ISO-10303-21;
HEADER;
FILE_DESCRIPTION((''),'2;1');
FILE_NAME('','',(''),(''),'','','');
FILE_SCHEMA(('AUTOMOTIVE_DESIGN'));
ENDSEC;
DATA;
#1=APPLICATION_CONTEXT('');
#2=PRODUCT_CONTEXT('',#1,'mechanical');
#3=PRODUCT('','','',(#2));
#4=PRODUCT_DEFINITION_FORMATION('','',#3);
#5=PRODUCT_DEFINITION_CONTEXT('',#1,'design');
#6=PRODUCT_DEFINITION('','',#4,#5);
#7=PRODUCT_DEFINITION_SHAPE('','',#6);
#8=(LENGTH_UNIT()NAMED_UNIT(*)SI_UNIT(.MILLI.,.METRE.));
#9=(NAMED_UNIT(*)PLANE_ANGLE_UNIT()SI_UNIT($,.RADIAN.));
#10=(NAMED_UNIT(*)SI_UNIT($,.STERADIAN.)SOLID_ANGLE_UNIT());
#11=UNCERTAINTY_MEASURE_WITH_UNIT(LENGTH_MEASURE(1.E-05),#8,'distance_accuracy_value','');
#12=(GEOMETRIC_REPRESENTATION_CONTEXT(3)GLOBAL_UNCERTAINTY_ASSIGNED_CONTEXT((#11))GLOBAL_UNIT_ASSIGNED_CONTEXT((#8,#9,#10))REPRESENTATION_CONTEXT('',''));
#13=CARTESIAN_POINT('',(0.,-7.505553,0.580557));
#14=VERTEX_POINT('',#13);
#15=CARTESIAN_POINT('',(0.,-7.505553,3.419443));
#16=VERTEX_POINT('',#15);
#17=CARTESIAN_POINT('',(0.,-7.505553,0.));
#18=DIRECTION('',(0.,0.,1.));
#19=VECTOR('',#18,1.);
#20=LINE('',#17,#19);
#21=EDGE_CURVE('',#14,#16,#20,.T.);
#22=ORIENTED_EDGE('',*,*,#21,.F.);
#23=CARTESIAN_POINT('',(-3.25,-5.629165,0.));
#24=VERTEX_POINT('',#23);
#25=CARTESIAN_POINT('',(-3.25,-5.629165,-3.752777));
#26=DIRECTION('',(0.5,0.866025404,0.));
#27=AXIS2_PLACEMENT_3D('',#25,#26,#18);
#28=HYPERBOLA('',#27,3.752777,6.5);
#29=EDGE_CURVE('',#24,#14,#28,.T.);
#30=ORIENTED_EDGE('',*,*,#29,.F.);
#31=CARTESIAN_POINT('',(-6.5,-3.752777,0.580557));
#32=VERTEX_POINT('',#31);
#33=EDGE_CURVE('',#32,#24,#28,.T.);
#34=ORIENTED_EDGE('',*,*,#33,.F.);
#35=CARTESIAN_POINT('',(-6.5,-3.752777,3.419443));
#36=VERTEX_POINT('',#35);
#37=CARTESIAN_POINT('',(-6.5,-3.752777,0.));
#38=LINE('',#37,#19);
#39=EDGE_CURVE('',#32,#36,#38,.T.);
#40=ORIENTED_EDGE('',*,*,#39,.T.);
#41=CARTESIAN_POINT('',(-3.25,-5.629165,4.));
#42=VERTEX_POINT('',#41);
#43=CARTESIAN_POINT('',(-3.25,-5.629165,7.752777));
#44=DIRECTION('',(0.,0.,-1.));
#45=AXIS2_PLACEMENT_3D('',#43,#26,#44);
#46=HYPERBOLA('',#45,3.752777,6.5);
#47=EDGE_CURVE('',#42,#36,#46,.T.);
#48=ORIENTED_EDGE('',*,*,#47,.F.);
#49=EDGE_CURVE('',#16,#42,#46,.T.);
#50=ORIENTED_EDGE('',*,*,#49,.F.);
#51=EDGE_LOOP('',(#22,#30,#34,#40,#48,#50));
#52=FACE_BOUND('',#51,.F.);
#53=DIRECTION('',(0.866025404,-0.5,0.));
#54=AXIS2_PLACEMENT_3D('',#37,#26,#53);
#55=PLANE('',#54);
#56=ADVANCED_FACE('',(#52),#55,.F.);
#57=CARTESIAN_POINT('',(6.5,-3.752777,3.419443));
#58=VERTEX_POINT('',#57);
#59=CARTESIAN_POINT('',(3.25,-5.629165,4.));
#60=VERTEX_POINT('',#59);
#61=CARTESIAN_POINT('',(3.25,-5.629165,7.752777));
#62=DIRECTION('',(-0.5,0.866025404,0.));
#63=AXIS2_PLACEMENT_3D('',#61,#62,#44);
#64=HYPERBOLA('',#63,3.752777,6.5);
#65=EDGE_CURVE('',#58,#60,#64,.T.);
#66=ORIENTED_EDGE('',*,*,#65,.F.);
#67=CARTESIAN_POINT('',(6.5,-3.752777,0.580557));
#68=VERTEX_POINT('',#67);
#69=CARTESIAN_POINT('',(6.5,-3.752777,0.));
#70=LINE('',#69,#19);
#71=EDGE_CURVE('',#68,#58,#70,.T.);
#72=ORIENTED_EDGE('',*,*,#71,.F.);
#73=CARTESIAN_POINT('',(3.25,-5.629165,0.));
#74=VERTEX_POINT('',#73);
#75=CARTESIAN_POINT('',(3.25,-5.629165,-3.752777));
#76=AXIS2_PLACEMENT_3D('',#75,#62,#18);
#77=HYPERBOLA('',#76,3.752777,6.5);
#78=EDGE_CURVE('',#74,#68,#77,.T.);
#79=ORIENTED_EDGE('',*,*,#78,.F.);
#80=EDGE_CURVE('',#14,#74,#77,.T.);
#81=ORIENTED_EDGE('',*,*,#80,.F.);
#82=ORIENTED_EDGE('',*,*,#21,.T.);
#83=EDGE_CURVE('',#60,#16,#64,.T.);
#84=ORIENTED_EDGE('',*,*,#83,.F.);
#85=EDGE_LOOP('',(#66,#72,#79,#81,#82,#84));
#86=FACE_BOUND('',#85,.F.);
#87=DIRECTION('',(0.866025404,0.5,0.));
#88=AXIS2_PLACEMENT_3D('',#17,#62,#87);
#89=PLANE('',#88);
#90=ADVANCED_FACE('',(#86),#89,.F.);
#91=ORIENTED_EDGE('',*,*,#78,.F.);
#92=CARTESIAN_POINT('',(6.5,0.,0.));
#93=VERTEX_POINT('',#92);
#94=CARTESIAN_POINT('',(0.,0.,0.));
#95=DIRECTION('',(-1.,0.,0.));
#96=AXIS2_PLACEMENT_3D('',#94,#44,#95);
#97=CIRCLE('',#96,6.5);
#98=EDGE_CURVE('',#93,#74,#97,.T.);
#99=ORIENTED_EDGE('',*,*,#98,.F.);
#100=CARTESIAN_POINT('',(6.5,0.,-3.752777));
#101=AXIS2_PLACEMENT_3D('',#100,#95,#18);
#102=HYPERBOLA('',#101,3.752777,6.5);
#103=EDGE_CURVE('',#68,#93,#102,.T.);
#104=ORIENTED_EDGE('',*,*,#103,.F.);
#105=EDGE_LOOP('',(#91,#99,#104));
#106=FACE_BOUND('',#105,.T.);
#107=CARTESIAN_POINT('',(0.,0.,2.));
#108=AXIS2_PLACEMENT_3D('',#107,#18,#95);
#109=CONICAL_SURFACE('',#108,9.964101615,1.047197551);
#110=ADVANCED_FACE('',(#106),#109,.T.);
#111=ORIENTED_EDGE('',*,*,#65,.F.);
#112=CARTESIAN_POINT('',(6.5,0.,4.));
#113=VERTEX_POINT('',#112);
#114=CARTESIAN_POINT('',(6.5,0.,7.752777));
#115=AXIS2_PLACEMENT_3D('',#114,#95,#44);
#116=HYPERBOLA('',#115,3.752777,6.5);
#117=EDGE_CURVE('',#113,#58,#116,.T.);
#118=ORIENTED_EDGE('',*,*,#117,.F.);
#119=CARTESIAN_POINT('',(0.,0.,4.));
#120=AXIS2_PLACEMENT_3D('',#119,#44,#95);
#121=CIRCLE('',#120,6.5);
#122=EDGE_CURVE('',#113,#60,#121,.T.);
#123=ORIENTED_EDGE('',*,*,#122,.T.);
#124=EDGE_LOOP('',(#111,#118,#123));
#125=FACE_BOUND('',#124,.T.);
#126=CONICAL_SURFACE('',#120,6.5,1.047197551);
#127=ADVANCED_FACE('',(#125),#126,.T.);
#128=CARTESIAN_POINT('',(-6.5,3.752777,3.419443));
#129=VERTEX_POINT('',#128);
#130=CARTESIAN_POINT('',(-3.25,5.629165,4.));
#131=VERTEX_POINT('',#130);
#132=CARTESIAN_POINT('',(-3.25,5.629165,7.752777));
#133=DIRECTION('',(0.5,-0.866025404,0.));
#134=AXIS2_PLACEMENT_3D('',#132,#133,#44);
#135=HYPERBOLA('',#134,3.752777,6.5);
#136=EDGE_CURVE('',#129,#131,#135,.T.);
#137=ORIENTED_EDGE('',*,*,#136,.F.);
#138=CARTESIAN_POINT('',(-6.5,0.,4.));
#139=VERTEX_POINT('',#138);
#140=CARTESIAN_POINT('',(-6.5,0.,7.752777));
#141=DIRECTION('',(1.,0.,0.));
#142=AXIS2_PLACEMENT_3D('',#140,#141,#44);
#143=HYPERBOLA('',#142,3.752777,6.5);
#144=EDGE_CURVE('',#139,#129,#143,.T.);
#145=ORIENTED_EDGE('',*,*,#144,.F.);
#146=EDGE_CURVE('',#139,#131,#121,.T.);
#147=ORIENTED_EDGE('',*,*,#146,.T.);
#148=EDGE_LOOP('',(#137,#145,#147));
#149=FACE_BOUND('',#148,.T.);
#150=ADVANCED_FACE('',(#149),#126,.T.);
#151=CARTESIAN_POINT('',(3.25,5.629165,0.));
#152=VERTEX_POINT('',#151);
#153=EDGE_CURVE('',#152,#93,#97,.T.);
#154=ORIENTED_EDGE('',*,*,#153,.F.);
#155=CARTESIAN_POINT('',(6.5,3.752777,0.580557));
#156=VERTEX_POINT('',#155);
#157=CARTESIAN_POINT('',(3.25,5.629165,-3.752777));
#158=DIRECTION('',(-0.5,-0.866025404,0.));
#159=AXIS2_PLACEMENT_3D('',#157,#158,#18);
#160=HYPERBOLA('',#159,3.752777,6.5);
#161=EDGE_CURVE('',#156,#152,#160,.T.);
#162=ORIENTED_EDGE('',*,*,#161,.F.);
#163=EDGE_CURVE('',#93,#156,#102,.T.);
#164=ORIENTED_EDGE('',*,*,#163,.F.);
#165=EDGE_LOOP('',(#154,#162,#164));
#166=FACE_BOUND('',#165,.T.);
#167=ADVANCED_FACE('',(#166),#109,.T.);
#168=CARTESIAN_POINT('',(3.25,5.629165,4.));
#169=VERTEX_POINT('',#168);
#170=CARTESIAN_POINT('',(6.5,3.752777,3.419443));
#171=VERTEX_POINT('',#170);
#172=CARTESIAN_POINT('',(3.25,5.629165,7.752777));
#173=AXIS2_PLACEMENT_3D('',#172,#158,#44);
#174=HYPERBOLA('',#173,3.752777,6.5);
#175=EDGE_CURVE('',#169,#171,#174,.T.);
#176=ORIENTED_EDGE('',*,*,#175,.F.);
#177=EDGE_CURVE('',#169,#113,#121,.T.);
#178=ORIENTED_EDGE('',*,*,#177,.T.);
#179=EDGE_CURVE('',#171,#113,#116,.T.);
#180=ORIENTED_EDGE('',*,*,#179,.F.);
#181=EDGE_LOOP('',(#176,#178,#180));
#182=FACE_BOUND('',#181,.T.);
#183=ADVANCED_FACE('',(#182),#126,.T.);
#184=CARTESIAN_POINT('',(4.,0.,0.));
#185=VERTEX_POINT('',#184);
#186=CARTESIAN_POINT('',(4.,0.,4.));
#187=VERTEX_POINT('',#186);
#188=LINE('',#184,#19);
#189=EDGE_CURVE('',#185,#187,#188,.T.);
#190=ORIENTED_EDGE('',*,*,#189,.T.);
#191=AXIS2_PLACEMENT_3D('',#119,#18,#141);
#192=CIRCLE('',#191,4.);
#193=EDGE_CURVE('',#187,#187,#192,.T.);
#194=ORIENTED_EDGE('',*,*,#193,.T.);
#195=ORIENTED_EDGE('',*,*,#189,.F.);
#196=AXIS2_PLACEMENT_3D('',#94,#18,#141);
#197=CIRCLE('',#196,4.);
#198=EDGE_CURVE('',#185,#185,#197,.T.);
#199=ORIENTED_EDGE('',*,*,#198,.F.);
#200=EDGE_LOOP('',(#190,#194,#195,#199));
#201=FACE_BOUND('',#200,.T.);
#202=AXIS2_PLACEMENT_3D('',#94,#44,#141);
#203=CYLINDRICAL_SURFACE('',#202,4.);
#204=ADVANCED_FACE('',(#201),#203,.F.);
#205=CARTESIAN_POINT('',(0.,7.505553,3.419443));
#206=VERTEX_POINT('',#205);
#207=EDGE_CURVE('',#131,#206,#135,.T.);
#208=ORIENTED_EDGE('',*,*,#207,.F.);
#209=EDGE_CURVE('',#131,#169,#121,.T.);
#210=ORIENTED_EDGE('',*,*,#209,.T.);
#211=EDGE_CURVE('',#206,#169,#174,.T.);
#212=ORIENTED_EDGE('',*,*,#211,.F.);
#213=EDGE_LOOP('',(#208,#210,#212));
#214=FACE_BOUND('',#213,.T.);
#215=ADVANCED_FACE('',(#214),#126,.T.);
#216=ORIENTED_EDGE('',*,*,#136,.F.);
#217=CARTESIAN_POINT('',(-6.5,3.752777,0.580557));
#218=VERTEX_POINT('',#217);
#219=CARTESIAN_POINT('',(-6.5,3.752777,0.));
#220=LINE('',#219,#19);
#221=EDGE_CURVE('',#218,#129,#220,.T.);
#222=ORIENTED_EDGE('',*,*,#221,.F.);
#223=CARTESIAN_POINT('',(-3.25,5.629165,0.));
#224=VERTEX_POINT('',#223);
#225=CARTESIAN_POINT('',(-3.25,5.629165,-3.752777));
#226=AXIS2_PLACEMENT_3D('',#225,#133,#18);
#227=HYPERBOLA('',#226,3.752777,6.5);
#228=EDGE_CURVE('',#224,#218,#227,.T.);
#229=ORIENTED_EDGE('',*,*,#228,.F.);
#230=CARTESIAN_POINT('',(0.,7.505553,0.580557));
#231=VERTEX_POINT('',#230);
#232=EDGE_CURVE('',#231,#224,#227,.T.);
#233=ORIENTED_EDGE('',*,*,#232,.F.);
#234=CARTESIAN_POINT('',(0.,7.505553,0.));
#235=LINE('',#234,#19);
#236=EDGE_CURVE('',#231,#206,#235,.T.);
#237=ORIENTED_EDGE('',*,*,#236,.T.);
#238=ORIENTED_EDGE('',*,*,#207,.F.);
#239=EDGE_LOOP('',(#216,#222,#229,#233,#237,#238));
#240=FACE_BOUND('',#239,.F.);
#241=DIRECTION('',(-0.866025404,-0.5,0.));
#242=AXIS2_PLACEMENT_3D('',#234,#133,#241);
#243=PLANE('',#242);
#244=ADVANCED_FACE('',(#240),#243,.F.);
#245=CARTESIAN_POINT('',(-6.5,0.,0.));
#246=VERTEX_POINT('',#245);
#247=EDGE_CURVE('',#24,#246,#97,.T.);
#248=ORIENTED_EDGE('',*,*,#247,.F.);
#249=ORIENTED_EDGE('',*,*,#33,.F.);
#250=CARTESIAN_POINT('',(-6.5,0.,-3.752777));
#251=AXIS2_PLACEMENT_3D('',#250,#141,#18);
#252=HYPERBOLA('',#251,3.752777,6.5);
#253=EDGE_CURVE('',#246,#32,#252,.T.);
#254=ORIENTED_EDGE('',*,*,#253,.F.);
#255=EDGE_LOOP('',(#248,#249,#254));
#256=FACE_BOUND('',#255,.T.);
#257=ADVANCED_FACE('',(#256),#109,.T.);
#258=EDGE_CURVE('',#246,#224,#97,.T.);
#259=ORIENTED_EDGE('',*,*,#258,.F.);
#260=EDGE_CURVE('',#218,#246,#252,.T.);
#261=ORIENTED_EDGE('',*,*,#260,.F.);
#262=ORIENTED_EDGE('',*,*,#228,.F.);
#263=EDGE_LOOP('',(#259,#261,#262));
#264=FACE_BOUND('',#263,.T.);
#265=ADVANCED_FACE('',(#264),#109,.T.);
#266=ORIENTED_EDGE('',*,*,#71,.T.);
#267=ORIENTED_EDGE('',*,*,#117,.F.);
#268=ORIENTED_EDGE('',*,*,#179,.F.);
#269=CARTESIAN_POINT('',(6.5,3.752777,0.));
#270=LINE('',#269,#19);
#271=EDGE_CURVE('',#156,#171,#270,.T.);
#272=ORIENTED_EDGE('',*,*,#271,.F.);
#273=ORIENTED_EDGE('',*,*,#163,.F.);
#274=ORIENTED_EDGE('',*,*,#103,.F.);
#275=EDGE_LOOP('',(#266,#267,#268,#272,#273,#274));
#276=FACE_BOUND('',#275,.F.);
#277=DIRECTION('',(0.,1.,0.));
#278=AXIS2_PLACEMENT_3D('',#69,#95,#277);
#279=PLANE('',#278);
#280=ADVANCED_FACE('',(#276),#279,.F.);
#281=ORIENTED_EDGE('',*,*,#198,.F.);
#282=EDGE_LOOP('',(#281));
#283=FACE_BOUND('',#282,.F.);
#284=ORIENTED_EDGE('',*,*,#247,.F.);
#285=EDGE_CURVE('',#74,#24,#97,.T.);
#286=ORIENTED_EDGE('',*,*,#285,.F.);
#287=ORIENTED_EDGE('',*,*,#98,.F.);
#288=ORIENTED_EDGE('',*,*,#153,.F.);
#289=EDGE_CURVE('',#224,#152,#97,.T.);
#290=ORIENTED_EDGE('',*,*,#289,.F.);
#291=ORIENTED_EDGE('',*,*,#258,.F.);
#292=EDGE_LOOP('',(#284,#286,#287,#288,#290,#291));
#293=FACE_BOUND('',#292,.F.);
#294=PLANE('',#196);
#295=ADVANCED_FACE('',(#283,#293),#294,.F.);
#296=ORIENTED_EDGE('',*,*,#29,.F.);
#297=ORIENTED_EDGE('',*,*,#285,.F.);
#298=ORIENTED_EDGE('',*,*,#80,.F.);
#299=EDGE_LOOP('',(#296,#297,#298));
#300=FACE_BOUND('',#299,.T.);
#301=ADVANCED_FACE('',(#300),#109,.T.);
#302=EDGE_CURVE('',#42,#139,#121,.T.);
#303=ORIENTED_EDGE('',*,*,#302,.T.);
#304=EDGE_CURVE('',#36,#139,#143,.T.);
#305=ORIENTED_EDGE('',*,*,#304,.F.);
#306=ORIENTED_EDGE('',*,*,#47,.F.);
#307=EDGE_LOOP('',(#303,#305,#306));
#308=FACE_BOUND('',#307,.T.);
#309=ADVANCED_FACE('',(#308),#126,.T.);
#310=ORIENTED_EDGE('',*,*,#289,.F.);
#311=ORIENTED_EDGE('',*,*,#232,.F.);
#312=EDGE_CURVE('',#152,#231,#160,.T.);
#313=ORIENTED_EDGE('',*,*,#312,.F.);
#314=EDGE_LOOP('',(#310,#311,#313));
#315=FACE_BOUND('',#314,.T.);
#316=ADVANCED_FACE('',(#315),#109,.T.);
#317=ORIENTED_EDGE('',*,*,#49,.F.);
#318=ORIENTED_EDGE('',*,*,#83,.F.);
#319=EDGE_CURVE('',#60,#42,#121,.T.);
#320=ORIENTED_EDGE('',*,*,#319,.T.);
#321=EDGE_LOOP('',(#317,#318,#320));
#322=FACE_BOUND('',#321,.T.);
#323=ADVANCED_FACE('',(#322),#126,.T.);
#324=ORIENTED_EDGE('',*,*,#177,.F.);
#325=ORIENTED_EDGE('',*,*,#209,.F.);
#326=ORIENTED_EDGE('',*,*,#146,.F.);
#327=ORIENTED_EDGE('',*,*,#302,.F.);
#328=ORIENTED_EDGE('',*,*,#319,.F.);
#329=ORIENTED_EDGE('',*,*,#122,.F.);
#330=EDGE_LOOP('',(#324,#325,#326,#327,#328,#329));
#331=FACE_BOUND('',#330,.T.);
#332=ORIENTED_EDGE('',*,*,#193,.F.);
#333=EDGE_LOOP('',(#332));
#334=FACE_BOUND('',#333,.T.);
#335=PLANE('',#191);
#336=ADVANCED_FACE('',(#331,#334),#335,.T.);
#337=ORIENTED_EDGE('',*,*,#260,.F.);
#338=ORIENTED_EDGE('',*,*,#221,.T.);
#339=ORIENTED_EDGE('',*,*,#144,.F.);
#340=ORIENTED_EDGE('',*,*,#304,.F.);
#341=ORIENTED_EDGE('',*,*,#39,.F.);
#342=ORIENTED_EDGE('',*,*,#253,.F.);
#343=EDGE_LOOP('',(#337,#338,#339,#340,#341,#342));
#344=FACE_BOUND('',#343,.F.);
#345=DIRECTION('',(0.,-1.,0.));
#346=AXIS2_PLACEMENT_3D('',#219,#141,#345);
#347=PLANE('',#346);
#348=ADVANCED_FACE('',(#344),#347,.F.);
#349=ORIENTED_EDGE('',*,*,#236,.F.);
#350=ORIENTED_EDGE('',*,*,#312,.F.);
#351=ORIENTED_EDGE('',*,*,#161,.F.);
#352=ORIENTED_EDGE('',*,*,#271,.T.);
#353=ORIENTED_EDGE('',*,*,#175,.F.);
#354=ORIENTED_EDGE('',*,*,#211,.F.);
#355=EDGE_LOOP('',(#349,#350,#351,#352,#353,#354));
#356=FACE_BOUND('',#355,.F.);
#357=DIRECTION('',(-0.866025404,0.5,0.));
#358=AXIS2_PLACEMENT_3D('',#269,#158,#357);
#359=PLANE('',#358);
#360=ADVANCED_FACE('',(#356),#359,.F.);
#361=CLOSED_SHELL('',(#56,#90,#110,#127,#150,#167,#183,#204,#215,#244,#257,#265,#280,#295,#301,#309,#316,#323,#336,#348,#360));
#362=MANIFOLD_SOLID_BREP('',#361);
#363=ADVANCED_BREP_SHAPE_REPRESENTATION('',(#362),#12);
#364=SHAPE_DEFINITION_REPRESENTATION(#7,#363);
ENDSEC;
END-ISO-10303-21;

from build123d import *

# Parameters (mm, degrees)
SZKIC1_R                    = 4
DODANIE_WYCI_GNI_CIE1_DEPTH = 4


with BuildPart() as part:
    # Szkic1 → Dodanie-wyciągnięcie1 (new body)
    with BuildSketch(Plane.XY):
        Polygon((6.5, 3.75277675), (0, 7.505553499), (-6.5, 3.75277675), (-6.5, -3.75277675), (0, -7.505553499), (6.5, -3.75277675), align=None)
        Circle(SZKIC1_R, mode=Mode.SUBTRACT)
    extrude(amount=DODANIE_WYCI_GNI_CIE1_DEPTH)

    # Szkic2 → Wycięcie-obrót1 (revolve, cut)
    with BuildSketch(Plane(origin=(0, 0, 0), x_dir=(1, 0, 0), z_dir=(0, 1, 0))):
        Polygon((-9.964101615, -4), (-6.5, -4), (-9.964101615, -2), align=None)
        Polygon((-9.964101615, -2), (-6.5, 0), (-9.964101615, 0), align=None)
    revolve(axis=Axis((0, 0, 9.891098034), (0, 0, -1)), mode=Mode.SUBTRACT)


solid = part.part
